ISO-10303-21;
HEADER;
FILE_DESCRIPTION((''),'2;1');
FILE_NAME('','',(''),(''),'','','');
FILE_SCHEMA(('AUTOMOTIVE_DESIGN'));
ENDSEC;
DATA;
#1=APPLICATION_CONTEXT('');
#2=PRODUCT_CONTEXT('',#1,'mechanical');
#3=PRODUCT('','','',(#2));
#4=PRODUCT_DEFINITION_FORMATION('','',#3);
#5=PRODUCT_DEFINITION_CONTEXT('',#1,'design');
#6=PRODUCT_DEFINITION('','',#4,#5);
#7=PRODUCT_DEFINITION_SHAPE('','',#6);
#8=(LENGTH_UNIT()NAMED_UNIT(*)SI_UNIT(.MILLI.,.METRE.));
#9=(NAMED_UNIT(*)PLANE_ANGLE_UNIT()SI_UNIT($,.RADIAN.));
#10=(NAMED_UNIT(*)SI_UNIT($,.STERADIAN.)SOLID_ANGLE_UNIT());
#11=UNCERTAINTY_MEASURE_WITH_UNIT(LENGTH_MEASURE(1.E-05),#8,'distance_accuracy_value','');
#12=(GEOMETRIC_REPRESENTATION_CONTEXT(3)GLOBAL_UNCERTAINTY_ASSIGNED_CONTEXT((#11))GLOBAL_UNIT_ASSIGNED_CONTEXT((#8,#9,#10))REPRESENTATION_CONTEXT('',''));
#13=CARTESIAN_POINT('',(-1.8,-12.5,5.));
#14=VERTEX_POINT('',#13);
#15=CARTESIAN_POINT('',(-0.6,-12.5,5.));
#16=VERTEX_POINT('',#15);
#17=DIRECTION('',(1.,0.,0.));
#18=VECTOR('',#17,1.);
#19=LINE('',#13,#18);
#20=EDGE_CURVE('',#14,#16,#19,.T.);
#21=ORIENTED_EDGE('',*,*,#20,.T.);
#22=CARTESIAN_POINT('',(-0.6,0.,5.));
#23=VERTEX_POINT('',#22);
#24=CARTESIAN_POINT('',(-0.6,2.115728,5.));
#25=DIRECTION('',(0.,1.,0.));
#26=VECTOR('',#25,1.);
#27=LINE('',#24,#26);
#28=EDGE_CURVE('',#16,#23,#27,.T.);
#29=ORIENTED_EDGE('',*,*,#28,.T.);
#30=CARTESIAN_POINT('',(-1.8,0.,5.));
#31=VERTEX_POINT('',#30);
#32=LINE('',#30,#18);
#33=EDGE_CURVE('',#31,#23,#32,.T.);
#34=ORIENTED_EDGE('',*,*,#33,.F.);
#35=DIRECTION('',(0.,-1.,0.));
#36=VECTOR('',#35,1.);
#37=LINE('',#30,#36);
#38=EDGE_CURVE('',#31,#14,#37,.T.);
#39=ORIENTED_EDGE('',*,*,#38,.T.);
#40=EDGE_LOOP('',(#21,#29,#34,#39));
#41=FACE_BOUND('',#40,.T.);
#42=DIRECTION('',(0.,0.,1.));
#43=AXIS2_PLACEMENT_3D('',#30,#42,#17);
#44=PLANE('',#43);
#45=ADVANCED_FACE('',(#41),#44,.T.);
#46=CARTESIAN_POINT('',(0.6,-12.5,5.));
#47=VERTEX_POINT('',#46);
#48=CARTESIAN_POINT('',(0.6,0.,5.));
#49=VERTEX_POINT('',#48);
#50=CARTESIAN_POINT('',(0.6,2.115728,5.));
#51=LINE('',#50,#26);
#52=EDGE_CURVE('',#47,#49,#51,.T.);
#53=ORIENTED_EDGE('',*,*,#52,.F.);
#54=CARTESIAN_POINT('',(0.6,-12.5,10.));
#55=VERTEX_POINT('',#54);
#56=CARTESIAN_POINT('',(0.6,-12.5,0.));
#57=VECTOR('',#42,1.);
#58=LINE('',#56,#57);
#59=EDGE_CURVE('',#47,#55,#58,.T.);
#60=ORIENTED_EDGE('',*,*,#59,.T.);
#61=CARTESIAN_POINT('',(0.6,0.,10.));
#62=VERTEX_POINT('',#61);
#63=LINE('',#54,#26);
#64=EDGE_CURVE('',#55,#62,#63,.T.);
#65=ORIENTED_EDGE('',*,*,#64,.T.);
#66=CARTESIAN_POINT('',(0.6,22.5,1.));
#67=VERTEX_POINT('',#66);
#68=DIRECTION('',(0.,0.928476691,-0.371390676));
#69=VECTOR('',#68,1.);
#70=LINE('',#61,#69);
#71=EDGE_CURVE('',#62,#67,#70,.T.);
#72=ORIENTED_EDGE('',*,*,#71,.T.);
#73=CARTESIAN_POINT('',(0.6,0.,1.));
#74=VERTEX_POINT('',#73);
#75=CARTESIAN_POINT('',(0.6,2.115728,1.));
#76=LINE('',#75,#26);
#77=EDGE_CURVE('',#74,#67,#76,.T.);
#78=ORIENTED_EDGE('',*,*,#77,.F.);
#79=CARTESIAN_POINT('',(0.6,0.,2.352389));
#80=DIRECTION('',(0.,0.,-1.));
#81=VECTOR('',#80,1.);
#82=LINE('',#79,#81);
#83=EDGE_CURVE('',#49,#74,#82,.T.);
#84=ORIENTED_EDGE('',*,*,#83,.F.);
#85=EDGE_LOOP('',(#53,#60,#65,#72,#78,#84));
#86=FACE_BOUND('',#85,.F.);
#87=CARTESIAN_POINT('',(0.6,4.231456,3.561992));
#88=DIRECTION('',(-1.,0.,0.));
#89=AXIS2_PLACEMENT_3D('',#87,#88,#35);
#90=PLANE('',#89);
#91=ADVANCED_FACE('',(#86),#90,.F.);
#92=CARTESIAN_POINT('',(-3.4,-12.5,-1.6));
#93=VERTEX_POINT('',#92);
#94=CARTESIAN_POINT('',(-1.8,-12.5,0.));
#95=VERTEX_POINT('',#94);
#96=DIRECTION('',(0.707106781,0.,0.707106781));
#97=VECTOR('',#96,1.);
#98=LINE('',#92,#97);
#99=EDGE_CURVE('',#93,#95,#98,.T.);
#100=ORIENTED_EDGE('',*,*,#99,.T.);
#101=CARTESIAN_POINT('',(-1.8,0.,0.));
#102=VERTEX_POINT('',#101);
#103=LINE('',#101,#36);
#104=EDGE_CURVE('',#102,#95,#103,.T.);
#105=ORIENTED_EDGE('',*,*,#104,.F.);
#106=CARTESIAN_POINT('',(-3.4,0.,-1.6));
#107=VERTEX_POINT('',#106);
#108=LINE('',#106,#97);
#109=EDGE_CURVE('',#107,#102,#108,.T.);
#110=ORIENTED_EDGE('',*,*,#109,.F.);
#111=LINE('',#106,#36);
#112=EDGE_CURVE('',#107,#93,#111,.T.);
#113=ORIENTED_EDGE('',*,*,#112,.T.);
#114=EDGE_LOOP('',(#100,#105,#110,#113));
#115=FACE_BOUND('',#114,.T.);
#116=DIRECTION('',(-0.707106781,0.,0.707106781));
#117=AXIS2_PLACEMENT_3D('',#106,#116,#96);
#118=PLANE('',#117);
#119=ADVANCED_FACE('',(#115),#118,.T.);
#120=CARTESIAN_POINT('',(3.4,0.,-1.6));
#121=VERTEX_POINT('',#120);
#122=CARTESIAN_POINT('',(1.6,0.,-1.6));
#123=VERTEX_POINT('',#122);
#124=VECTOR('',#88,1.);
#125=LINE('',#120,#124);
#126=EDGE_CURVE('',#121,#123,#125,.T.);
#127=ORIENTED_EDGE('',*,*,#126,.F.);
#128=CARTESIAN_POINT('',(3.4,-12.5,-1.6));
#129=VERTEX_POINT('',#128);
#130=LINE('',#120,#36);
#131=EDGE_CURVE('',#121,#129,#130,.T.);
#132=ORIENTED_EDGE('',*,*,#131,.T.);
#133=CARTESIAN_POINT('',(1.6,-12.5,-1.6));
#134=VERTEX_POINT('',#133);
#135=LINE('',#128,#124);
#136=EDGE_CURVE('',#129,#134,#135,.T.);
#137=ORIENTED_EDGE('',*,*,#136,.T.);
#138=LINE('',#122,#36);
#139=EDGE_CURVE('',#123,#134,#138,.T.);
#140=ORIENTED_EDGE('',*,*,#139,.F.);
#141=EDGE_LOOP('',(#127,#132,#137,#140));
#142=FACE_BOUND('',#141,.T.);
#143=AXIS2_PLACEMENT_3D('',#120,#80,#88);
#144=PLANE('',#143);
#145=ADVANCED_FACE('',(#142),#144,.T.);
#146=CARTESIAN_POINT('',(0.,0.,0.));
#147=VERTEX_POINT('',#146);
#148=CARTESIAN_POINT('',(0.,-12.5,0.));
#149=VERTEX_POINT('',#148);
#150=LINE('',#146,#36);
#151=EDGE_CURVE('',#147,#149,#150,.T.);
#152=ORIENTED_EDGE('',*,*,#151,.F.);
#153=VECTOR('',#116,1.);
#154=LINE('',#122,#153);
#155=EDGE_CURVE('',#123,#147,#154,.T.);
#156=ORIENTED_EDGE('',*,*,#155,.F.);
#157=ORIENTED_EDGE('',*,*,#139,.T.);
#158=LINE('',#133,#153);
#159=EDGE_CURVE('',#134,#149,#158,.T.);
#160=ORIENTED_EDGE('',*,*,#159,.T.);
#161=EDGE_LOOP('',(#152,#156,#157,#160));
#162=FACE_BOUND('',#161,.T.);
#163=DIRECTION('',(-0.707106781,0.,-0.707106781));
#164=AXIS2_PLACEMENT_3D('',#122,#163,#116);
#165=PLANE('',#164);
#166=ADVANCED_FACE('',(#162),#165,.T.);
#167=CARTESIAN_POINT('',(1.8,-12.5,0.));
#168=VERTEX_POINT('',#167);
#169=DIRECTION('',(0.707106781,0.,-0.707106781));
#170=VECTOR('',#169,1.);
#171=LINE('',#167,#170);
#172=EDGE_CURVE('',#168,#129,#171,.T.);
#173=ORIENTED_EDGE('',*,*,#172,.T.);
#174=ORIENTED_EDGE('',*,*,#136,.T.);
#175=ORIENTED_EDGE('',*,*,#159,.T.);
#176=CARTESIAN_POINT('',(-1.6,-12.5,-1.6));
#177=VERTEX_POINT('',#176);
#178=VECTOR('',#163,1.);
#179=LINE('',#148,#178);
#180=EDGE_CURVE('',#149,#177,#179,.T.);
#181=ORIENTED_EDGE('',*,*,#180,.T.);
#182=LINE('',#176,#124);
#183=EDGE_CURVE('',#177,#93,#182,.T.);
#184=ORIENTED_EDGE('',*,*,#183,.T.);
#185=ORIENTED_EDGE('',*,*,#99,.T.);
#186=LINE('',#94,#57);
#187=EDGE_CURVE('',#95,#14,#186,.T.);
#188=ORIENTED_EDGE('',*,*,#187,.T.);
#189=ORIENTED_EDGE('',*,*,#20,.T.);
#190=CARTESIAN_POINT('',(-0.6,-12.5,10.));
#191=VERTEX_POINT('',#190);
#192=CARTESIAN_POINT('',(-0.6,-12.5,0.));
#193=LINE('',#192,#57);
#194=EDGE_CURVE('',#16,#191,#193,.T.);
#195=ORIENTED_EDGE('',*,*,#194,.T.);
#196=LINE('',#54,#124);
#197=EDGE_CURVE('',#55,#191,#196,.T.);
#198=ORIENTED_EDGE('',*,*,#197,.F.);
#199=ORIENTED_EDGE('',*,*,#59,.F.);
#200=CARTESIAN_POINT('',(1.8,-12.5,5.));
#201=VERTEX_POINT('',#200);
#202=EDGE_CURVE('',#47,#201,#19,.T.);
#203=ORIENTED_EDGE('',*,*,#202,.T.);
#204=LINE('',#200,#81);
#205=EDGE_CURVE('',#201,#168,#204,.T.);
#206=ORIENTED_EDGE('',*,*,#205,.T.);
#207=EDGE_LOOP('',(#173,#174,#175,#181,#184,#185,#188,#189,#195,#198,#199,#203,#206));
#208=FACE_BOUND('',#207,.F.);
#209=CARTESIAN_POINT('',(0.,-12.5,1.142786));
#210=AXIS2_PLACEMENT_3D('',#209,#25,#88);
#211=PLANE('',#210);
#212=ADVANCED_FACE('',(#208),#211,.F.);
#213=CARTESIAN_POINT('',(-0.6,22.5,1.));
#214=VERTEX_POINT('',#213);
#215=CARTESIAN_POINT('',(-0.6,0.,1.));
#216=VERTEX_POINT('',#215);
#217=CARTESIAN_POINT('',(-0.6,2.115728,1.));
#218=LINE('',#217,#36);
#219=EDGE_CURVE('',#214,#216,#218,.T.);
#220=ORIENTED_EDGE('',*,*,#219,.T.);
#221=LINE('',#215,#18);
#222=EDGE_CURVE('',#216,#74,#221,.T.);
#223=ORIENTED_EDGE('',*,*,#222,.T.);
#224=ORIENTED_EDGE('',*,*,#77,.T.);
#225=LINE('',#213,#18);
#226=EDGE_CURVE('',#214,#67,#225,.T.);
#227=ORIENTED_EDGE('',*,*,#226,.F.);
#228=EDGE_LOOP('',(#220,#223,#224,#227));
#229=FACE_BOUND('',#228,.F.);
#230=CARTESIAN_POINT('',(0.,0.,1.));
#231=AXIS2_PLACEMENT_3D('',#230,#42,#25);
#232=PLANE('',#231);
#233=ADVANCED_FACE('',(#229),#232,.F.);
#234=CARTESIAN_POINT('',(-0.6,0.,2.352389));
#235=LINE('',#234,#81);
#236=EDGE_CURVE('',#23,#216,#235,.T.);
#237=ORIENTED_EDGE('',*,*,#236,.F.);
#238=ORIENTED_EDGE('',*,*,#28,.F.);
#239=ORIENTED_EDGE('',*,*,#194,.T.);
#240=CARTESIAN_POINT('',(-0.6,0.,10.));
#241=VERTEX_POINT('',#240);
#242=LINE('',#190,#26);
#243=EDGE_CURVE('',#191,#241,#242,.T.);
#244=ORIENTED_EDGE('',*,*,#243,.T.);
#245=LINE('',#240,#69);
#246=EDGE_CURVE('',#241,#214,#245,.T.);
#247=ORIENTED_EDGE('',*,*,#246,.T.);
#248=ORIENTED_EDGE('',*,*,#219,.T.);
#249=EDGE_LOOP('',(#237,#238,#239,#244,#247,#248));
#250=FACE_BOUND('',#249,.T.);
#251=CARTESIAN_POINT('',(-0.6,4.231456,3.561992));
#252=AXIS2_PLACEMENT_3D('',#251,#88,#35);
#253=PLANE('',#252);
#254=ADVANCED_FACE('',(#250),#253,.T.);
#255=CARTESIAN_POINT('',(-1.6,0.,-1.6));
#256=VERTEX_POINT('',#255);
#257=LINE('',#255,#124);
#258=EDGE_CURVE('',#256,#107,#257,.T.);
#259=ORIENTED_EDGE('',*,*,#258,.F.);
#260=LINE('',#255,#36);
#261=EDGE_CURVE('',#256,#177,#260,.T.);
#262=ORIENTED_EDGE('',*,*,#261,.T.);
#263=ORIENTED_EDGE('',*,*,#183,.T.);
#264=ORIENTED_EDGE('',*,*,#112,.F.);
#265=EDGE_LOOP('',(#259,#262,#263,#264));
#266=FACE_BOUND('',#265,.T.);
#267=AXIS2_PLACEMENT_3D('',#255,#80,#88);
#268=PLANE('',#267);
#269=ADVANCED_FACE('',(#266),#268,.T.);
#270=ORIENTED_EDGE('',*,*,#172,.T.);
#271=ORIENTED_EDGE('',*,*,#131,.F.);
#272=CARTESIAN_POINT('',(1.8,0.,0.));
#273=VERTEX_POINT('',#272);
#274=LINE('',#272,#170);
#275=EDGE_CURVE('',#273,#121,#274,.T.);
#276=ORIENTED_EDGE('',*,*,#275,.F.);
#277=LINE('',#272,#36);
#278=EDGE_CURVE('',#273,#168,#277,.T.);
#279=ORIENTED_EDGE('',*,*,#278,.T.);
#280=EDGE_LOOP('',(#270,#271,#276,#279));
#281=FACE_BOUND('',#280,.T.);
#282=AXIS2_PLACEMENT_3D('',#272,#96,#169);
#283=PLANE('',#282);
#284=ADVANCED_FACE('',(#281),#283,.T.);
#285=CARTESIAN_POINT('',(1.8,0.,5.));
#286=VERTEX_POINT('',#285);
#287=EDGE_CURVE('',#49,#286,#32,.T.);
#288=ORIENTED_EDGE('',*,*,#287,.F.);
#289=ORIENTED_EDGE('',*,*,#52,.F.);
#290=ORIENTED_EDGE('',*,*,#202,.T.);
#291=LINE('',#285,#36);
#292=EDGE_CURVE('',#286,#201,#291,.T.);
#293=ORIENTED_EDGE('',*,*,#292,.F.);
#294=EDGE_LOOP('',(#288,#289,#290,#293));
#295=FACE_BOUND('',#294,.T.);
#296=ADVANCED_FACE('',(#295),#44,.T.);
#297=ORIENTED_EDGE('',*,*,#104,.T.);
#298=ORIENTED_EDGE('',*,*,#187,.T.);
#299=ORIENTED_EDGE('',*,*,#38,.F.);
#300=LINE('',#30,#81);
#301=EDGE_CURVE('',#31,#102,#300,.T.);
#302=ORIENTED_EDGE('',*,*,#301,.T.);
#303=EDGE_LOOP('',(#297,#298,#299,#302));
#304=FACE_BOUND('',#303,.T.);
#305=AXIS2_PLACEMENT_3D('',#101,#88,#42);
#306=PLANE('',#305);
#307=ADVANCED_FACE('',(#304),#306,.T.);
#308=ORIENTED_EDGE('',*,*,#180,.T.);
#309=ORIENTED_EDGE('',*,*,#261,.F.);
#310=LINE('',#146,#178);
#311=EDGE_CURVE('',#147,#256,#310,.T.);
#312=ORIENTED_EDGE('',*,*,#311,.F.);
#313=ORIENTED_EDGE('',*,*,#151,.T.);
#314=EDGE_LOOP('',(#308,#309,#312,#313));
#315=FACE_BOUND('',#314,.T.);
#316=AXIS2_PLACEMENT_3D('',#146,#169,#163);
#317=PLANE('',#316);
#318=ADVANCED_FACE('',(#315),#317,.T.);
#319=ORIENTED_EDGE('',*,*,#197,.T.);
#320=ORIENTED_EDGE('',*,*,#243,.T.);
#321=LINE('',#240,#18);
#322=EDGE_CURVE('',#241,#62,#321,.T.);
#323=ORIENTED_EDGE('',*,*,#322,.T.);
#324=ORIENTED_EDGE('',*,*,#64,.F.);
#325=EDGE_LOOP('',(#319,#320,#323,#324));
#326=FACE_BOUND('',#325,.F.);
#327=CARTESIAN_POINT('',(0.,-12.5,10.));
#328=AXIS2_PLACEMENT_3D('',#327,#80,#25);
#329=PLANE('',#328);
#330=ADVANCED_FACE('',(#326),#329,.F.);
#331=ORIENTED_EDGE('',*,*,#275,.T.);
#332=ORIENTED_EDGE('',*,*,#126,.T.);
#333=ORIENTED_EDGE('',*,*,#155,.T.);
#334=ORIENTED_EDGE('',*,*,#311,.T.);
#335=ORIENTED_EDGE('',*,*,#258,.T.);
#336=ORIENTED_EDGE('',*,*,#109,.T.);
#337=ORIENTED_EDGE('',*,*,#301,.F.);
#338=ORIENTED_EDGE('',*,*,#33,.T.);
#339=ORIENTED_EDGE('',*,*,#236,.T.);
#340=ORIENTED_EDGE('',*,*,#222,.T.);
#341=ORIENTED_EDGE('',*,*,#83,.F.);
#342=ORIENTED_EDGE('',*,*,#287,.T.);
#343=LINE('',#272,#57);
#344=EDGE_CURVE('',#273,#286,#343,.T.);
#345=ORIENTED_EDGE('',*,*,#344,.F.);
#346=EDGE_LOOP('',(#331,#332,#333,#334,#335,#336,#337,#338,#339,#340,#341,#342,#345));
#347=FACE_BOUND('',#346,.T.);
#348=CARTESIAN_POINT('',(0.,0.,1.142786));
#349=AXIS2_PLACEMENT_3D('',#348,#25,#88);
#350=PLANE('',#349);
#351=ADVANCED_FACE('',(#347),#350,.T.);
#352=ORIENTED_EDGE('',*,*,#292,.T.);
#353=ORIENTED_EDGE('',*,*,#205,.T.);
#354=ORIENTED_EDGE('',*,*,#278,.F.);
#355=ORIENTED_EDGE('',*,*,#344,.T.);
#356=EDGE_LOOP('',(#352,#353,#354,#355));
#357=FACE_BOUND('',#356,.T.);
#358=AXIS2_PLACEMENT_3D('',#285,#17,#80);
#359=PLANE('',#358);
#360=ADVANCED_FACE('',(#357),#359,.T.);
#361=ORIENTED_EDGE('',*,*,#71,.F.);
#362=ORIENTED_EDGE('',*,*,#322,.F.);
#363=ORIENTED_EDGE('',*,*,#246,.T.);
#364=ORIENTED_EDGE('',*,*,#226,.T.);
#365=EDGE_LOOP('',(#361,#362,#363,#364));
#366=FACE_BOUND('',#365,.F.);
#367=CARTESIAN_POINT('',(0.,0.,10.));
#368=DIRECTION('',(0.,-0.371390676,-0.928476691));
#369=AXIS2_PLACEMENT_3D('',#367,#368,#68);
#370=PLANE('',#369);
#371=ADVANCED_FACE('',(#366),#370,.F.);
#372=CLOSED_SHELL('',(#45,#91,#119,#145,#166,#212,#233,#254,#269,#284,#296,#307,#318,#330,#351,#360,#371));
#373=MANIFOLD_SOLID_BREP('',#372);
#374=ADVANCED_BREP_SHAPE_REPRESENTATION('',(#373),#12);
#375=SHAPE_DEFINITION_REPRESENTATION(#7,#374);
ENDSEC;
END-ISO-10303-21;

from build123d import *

# Parameters (mm, degrees)
PAD_DEPTH         = 0.6
PAD001_DEPTH      = 12.5
SKETCH002_W       = 30
SKETCH002_H       = 1
POCKET_DEPTH      = 3.401
POCKET_DEPTH_BACK = 3.401


with BuildPart() as part:
    # Sketch → Pad (new body, symmetric)
    with BuildSketch(Plane.YZ):
        Polygon((0, 0), (-12.5, 0), (-12.5, 10), (0, 10), (25, 0), align=None)
    extrude(amount=PAD_DEPTH, both=True)

    # Sketch001 → Pad001 (join)
    with BuildSketch(Plane.XZ):
        Polygon((1.8, 0), (3.4, -1.6), (1.6, -1.6), (0, 0), (-1.6, -1.6), (-3.4, -1.6), (-1.8, 0), (-1.8, 5), (1.8, 5), align=None)
    extrude(amount=PAD001_DEPTH)

    # Sketch002 → Pocket (cut, two sides)
    with BuildSketch(Plane.YZ) as pocket_sk:
        with Locations((15, 0.5)):
            Rectangle(SKETCH002_W, SKETCH002_H)
    extrude(amount=-POCKET_DEPTH, mode=Mode.SUBTRACT)
    extrude(pocket_sk.sketch, amount=POCKET_DEPTH_BACK, mode=Mode.SUBTRACT)


solid = part.part
